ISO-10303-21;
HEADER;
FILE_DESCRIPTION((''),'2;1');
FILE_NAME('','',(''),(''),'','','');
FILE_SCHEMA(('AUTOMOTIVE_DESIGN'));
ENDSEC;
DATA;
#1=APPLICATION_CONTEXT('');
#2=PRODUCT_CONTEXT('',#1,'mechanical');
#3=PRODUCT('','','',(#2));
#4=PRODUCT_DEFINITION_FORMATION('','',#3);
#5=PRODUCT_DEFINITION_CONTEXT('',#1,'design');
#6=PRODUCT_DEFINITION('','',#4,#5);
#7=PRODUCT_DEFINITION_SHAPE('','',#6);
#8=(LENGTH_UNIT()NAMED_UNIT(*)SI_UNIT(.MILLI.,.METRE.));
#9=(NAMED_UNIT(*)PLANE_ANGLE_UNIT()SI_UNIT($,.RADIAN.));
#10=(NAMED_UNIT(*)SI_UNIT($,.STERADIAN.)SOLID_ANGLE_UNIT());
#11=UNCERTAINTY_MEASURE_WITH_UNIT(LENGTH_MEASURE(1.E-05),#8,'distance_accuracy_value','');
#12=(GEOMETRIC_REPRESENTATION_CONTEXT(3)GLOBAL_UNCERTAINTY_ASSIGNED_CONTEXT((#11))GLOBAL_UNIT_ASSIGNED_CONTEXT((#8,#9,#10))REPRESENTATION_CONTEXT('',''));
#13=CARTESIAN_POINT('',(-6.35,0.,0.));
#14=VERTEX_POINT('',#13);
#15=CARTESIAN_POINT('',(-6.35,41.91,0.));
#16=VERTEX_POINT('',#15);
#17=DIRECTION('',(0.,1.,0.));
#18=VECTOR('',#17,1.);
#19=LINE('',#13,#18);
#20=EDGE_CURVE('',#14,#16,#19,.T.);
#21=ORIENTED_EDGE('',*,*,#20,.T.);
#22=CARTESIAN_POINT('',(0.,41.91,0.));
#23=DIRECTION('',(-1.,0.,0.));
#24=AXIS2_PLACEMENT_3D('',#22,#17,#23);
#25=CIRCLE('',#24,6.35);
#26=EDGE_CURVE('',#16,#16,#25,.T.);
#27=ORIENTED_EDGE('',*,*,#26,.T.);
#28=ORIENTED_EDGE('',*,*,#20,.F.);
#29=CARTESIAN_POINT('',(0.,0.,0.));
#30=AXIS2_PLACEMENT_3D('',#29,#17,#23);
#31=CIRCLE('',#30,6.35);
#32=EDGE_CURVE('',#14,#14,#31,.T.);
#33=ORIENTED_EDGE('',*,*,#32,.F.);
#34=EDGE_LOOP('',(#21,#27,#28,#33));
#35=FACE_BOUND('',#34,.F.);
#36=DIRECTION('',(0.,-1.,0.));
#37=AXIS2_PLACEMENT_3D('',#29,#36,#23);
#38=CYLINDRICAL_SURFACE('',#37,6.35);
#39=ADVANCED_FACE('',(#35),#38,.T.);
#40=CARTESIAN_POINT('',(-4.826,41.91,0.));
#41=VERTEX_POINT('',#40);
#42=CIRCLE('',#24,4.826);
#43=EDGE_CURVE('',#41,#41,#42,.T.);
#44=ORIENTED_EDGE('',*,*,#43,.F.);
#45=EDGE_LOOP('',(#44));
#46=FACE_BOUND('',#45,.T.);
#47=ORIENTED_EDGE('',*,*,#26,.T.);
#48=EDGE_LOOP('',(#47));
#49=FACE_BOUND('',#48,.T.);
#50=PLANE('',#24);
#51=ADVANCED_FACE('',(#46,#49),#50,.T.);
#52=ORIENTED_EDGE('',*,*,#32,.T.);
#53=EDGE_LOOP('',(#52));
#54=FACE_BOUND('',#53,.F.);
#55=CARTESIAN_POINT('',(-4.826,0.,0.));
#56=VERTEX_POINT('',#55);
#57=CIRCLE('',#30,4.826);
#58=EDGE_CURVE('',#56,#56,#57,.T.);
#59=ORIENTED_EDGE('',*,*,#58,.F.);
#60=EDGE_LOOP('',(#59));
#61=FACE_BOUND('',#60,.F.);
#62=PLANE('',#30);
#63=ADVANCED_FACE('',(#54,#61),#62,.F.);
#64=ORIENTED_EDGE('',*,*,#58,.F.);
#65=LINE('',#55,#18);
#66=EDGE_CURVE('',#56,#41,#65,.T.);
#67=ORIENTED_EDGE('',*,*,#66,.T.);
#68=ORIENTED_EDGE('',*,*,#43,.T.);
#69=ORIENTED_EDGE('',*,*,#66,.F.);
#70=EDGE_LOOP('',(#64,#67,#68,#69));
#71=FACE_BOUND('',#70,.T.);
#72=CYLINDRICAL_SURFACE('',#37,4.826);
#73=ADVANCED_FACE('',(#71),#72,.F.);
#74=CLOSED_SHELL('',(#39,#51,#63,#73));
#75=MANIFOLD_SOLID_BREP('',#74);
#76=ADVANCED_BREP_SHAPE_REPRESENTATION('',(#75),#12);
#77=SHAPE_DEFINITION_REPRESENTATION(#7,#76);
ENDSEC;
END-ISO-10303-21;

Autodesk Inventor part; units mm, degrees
ref_plane "YZ Plane" through (0, 0, 0) normal (1, 0, 0) x (0, 1, 0)
ref_plane "XZ Plane" through (0, 0, 0) normal (0, 1, 0) x (-1, 0, 0)
ref_plane "XY Plane" through (0, 0, 0) normal (0, 0, 1) x (1, 0, 0)
sketch "Sketch1" plane through (0, 0, 0) normal (0, 1, 0) x (-1, 0, 0)
  circle A0 centre (0, 0) radius 6.35
  circle A1 centre (0, 0) radius 4.826
  dimension "d0" = 12.7
  dimension "d1" = 9.652
extrude "Extrusion1" add sketch "Sketch1" along normal blind 41.91
properties part number "PS small wheel coller"
